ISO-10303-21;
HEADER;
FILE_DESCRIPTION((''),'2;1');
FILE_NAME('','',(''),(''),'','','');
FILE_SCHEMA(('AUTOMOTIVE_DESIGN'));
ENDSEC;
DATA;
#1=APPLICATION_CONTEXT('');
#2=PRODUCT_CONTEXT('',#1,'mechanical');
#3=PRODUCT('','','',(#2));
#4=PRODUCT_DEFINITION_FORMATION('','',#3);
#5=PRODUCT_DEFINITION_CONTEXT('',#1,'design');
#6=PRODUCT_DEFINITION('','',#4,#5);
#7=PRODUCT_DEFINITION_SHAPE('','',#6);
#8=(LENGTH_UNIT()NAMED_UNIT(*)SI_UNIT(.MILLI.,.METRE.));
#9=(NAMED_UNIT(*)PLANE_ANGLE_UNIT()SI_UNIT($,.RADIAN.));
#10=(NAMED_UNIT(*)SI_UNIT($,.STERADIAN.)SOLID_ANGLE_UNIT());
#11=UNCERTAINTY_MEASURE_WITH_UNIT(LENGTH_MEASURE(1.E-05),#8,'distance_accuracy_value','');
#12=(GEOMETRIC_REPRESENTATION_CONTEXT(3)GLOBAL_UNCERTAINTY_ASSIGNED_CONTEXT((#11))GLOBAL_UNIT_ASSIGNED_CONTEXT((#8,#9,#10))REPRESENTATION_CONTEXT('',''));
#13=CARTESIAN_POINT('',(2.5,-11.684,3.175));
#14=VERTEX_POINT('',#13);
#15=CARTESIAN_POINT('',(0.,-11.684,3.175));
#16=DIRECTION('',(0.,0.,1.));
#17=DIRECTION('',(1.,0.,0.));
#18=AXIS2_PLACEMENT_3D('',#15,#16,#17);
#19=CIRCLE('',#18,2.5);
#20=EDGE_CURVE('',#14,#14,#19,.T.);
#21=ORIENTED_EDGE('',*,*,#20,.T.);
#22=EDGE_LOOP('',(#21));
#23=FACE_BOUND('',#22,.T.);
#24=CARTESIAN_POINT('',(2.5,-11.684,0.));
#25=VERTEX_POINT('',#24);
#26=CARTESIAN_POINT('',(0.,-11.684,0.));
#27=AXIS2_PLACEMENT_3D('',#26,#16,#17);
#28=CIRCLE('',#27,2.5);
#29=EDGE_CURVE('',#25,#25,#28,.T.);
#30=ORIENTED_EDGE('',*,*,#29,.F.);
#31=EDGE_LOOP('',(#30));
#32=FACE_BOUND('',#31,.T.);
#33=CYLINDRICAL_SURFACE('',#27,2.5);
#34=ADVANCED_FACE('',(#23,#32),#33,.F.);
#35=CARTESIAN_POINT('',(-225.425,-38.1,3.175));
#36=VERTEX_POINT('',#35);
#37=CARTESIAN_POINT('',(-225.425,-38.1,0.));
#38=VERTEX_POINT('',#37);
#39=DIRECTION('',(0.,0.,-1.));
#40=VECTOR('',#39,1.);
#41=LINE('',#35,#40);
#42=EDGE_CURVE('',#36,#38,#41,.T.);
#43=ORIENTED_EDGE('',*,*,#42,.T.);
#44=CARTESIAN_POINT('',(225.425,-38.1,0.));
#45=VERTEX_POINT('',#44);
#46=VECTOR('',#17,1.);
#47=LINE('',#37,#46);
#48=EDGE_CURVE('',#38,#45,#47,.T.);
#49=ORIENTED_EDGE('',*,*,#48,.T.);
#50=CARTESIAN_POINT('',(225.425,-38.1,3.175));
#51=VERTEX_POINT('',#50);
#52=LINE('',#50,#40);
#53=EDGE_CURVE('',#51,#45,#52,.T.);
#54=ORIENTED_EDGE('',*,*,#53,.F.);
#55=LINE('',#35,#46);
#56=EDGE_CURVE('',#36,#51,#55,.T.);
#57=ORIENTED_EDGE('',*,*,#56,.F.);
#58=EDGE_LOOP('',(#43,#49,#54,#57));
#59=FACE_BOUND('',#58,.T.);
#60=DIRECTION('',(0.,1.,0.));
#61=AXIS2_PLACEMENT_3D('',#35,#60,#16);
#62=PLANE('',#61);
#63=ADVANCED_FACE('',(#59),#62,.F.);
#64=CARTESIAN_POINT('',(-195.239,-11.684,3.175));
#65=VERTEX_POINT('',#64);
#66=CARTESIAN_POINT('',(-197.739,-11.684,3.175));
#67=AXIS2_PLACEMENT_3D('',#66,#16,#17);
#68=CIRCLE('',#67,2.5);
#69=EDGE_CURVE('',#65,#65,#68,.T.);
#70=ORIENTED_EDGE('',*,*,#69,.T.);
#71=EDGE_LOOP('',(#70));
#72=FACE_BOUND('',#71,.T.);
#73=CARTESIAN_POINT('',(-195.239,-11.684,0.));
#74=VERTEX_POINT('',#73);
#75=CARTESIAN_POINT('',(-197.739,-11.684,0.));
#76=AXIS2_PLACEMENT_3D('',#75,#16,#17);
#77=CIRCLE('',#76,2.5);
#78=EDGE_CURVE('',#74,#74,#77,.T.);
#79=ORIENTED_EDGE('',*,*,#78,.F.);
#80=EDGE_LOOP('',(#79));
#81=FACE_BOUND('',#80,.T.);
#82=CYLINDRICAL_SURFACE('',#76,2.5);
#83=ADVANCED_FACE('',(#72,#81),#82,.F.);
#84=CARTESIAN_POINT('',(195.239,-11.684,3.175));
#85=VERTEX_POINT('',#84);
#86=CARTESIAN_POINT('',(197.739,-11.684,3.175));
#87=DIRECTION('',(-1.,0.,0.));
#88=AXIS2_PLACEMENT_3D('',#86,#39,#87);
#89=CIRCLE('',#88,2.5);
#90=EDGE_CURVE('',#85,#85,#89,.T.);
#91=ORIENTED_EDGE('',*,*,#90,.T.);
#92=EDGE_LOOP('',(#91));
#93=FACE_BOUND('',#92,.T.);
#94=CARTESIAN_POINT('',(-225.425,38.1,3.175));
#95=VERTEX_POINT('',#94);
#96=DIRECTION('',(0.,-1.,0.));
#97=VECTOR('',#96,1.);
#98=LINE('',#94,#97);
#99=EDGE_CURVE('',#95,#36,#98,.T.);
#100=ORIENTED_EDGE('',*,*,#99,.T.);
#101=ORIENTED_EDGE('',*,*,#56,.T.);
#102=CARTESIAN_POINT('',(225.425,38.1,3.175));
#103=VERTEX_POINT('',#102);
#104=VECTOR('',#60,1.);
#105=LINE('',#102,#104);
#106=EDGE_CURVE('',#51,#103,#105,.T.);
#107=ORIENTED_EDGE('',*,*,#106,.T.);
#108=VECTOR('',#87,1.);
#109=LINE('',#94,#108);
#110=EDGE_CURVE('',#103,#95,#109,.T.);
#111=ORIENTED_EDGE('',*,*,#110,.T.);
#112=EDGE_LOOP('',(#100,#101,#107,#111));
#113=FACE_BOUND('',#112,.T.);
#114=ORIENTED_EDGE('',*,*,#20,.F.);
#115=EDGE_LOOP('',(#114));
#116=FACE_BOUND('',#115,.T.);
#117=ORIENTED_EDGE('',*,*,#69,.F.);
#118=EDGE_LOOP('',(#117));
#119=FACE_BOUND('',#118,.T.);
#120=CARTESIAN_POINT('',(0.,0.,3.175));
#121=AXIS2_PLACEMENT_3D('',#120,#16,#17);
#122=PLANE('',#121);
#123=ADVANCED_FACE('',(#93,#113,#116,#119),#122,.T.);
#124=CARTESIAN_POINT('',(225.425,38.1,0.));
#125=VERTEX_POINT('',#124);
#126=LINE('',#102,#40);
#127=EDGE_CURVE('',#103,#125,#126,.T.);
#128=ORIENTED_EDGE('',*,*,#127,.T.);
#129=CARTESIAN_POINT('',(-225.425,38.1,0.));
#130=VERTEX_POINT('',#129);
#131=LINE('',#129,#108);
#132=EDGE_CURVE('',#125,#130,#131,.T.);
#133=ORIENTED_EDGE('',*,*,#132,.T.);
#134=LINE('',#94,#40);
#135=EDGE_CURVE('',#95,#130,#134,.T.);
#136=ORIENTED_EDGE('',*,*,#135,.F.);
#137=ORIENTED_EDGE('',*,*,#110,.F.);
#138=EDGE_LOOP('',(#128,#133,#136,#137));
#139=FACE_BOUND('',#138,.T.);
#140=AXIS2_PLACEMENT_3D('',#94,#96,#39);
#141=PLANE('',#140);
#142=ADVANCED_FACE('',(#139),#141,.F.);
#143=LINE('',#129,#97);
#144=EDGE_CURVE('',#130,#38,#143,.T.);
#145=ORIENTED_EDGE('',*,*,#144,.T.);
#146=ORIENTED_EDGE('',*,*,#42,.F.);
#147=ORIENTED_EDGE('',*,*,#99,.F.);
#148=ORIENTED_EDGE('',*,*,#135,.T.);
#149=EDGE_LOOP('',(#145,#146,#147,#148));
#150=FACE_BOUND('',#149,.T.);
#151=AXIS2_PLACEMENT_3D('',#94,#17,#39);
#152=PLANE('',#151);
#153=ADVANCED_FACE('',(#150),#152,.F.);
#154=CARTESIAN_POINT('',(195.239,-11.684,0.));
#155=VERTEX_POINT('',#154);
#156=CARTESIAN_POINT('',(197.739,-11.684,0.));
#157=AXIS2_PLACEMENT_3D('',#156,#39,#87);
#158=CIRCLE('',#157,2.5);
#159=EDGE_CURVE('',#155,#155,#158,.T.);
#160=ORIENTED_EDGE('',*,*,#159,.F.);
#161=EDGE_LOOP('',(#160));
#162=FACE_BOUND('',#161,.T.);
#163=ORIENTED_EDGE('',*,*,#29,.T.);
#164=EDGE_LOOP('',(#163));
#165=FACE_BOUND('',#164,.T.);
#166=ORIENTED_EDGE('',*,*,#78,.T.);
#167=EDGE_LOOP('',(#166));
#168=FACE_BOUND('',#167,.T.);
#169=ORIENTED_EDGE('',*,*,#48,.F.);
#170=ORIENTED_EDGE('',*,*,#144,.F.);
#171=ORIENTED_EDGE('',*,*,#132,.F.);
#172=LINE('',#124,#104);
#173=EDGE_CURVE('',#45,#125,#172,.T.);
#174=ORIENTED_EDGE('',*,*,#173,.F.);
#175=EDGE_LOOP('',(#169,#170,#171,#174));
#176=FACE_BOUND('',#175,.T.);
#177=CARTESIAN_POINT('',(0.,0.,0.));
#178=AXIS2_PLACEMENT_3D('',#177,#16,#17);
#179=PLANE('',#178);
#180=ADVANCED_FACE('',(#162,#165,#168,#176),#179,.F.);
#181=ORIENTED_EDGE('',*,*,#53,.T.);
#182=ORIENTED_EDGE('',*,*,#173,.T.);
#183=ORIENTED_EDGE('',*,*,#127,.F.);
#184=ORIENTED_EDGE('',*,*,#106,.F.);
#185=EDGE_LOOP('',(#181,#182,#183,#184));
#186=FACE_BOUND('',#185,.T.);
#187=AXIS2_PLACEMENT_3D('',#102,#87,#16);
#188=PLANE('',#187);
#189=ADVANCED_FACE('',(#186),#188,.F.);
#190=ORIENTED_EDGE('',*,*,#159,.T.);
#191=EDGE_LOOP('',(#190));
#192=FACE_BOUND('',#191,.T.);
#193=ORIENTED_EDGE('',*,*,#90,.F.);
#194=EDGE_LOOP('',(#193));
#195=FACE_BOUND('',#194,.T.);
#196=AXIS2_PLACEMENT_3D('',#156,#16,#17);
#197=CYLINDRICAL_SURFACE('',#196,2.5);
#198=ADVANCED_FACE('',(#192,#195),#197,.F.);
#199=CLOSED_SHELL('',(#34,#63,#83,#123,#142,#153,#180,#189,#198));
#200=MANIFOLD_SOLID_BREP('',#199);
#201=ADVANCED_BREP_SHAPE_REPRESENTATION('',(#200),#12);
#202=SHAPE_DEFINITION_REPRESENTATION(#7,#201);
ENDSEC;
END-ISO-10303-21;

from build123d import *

# Parameters (mm, degrees)
SKETCH1_W           = 450.85
SKETCH1_H           = 76.2
BOSS_EXTRUDE1_DEPTH = 3.175
SKETCH2_R           = 2.5
CUT_EXTRUDE1_DEPTH  = 229.64409297


with BuildPart() as part:
    # Sketch1 → Boss-Extrude1 (new body)
    with BuildSketch(Plane.XY):
        Rectangle(SKETCH1_W, SKETCH1_H)
    extrude(amount=BOSS_EXTRUDE1_DEPTH)

    # Sketch2 → Cut-Extrude1 (cut, through all)
    with BuildSketch(Plane.XY.offset(3.175)):
        with Locations((-197.739, -11.684)):
            Circle(SKETCH2_R)
        with Locations(Location((197.739, -11.684, 0), (0, 0, 180))):
            Circle(SKETCH2_R)
        with Locations((0, -11.684)):
            Circle(SKETCH2_R)
    extrude(amount=-CUT_EXTRUDE1_DEPTH, mode=Mode.SUBTRACT)


solid = part.part
